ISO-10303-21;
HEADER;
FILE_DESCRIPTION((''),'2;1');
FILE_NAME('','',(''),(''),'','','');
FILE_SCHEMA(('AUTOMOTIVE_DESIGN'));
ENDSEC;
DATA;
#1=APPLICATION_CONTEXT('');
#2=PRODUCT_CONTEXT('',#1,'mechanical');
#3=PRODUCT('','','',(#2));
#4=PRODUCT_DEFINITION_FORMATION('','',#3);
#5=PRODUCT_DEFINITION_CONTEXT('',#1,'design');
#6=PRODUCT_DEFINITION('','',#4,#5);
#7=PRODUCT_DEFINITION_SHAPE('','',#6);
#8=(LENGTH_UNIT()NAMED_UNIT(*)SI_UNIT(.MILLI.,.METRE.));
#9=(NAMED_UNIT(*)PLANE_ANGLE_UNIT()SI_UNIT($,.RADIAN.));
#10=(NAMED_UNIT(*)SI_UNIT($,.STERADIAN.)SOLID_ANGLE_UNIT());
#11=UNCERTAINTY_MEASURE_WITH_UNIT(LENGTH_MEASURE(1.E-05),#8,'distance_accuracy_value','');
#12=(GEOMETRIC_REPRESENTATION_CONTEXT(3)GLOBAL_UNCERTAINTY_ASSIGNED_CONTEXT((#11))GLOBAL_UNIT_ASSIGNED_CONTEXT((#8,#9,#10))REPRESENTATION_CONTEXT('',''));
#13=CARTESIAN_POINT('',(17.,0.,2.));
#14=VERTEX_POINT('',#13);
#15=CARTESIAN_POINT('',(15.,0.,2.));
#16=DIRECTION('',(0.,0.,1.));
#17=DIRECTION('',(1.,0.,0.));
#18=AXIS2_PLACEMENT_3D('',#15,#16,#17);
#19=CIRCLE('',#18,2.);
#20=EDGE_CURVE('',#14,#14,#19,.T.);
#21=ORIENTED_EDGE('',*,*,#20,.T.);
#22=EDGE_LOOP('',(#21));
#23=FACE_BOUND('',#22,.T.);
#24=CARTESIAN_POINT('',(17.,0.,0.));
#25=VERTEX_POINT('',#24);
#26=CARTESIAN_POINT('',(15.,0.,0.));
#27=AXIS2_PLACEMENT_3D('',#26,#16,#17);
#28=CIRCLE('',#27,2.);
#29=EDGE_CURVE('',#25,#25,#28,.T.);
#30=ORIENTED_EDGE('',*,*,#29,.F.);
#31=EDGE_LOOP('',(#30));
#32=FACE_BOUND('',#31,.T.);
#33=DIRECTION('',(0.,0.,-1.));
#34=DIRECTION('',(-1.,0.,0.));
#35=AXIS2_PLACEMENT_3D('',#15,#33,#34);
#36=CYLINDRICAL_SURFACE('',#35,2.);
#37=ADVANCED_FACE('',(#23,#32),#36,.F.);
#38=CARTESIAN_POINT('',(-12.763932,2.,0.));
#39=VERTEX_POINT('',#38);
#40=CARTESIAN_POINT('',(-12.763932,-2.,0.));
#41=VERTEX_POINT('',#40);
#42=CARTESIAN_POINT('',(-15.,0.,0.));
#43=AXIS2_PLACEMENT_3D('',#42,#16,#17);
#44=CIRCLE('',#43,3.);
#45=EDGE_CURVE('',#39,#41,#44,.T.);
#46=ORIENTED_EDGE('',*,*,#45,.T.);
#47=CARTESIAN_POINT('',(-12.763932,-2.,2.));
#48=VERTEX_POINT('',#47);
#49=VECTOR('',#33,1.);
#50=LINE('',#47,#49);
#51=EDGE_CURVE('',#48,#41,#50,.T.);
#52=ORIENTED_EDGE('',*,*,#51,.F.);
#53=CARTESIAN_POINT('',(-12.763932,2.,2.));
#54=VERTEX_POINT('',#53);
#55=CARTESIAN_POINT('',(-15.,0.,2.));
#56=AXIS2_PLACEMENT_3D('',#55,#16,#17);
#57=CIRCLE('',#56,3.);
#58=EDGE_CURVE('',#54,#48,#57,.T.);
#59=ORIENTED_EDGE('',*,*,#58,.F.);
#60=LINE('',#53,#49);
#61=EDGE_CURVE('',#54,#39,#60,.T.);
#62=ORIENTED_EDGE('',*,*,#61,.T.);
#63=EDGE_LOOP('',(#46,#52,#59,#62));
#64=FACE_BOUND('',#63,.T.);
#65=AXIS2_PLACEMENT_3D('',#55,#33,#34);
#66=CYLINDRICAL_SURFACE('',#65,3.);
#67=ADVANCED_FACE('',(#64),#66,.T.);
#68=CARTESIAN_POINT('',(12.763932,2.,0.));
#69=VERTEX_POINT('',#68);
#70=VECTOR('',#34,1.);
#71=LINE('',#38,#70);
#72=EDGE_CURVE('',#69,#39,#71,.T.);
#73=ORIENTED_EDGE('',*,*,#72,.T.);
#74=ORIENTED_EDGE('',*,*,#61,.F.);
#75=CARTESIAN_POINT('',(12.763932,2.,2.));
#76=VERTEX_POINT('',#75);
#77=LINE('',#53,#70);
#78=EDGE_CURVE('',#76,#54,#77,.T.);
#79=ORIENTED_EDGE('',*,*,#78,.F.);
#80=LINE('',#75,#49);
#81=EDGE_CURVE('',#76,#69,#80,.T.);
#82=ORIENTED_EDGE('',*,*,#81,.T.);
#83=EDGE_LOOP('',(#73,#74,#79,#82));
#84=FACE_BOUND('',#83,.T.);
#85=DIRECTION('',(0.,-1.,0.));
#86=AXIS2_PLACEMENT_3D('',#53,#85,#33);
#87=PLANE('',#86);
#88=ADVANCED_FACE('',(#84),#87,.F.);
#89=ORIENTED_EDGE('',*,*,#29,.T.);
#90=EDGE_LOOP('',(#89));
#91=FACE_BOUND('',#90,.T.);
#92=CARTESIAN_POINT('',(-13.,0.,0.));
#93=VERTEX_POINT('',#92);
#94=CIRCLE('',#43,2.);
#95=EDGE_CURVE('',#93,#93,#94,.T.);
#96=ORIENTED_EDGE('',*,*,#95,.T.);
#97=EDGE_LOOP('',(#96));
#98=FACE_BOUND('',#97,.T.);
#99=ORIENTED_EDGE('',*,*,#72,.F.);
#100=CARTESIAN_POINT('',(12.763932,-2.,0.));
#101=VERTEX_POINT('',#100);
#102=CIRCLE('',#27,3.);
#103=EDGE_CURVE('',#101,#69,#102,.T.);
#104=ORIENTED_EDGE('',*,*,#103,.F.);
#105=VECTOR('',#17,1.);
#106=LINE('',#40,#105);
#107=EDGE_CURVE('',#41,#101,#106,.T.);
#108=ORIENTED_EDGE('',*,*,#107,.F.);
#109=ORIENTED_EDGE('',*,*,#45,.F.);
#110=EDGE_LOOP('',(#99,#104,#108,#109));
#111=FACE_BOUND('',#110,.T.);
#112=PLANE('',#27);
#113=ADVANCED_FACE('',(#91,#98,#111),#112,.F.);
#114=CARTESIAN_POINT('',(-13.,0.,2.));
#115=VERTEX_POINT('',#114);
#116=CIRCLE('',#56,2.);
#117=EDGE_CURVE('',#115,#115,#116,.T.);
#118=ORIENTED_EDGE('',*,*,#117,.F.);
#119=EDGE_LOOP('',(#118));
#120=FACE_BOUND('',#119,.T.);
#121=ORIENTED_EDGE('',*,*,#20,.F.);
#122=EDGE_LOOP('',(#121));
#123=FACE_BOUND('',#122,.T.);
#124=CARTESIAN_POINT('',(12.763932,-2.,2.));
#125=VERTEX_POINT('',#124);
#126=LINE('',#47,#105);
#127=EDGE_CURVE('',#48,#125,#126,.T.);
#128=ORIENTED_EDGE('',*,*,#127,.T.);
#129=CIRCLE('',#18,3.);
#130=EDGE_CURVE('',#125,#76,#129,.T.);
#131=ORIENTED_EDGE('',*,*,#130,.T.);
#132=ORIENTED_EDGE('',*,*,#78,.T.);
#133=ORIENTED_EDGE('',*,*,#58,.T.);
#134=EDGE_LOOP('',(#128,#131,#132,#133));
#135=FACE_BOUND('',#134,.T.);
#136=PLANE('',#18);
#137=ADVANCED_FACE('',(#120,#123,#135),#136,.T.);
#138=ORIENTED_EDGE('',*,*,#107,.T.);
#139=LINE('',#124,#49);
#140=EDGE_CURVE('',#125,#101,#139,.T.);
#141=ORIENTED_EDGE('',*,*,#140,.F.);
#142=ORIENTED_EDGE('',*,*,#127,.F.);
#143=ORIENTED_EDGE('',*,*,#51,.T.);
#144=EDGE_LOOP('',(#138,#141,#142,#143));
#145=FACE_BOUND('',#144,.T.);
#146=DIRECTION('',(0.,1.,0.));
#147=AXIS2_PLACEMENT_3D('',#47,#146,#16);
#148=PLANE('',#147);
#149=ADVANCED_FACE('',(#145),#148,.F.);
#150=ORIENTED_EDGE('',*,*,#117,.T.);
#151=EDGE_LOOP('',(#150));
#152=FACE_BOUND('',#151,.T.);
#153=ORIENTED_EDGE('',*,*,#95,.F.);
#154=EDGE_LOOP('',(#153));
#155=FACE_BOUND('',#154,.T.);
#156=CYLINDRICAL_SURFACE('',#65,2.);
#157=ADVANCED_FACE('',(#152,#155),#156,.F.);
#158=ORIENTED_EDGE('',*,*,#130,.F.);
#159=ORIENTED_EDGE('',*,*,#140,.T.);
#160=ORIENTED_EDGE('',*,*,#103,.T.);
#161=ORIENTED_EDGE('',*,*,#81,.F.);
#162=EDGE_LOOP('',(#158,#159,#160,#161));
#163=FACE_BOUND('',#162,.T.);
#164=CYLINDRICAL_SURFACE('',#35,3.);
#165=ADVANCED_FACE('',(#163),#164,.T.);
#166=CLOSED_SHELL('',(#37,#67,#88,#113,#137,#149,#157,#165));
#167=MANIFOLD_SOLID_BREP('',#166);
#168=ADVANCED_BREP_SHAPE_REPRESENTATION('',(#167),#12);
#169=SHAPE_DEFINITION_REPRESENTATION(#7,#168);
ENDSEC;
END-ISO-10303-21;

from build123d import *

# Parameters (mm, degrees)
SKETCH_1_R      = 2
EXTRUDE_1_DEPTH = 2


with BuildPart() as part:
    # 草图1 → 凸台-拉伸1 (new body)
    with BuildSketch(Plane.XY):
        with BuildLine():
            Line((-12.763932023, 2), (12.763932023, 2))
            ThreePointArc((12.763932023, 2), (18, 0), (12.763932023, -2))
            Line((12.763932023, -2), (-12.763932023, -2))
            ThreePointArc((-12.763932023, -2), (-18, 0), (-12.763932023, 2))
        make_face()
        with Locations((-15, 0)):
            Circle(SKETCH_1_R, mode=Mode.SUBTRACT)
        with Locations((15, 0)):
            Circle(SKETCH_1_R, mode=Mode.SUBTRACT)
    extrude(amount=EXTRUDE_1_DEPTH)


solid = part.part
